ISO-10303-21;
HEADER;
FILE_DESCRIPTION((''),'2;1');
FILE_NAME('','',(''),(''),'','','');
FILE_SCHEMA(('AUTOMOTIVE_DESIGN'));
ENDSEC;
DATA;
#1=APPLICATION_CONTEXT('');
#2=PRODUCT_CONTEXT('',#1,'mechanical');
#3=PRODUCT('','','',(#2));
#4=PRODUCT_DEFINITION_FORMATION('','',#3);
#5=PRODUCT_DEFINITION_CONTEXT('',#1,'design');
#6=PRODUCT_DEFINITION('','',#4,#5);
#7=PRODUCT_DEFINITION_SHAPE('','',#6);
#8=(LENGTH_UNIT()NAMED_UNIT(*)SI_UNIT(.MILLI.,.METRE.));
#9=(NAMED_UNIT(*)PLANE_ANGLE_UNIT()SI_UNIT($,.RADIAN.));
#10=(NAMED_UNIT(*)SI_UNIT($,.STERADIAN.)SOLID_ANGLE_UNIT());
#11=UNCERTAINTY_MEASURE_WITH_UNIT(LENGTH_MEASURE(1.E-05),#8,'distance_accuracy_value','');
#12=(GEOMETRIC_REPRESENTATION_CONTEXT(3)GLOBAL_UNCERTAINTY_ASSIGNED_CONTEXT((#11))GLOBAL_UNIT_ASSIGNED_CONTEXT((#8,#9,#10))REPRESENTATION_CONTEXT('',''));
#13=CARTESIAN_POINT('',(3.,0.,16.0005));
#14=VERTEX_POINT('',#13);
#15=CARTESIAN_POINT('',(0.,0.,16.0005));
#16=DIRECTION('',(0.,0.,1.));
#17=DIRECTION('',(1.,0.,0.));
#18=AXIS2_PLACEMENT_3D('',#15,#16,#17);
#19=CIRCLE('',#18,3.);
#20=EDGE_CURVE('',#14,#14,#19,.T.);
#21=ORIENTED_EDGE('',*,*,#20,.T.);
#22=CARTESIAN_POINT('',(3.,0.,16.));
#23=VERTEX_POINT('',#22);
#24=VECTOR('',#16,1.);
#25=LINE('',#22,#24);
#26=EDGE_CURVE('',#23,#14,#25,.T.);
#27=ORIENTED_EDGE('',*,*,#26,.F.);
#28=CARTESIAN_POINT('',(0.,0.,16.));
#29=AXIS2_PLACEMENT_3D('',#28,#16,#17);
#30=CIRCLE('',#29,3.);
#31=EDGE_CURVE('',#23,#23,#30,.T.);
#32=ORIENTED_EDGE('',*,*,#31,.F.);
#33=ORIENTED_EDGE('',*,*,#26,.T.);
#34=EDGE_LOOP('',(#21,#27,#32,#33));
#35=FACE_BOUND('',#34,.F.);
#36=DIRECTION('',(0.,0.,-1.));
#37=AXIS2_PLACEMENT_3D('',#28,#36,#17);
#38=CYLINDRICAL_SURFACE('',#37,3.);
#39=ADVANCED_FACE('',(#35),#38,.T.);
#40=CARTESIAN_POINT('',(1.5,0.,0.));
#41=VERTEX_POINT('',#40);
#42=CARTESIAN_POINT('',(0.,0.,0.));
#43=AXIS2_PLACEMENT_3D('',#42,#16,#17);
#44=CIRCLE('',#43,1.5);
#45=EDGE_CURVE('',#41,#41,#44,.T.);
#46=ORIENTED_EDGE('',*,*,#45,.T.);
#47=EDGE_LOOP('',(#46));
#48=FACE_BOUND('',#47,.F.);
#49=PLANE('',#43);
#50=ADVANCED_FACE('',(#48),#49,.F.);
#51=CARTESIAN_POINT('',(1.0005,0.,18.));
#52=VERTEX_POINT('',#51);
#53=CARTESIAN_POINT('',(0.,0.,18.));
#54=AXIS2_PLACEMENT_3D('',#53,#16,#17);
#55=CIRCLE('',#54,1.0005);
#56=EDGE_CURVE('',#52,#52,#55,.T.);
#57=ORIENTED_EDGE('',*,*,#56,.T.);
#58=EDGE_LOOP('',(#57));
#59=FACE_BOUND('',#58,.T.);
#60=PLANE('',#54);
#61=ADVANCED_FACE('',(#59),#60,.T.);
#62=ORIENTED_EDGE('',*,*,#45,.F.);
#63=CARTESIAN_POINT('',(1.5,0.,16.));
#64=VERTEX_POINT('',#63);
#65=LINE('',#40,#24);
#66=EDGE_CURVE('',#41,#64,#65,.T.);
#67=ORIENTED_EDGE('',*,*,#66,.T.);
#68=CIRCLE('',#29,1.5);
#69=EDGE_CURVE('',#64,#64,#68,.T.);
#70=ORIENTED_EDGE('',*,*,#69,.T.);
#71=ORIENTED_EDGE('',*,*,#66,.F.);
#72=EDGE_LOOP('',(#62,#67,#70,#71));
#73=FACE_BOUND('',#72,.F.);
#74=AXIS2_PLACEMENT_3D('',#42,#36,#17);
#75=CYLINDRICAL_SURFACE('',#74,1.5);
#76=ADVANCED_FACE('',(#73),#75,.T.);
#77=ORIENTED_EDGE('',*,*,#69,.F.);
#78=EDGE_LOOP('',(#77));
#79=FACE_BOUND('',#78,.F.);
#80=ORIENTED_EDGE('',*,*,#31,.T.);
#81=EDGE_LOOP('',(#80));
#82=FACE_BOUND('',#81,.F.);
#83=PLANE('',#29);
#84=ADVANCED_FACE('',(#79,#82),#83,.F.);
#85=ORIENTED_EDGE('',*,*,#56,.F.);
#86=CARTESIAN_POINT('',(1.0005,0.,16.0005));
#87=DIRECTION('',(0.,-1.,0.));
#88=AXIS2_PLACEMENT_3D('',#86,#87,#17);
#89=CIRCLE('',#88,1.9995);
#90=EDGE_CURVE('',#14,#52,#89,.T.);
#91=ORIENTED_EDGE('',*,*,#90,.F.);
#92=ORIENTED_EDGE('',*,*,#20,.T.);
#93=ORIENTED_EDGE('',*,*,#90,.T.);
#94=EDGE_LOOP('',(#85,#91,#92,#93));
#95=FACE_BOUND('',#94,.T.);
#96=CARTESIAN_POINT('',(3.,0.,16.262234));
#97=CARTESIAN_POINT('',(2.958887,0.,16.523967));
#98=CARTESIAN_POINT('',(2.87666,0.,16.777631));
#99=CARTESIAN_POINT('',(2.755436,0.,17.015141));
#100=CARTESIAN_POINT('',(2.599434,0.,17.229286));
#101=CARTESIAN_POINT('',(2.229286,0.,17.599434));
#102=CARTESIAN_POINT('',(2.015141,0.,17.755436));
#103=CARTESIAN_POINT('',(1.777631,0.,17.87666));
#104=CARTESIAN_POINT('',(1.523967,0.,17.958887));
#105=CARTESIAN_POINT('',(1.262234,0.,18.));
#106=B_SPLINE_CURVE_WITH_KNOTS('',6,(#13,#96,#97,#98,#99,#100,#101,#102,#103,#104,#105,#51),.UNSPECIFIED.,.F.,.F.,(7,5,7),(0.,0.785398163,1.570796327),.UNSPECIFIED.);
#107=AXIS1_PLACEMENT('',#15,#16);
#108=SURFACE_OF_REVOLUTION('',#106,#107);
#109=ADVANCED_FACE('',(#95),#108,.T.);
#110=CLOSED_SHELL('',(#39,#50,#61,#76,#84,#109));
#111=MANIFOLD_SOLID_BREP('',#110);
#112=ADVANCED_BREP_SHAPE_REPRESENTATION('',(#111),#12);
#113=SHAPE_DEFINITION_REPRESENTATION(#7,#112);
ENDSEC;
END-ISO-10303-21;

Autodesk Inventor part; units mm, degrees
ref_plane "YZ Plane" through (0, 0, 0) normal (1, 0, 0) x (0, 1, 0)
ref_plane "XZ Plane" through (0, 0, 0) normal (0, 1, 0) x (-1, 0, 0)
ref_plane "XY Plane" through (0, 0, 0) normal (0, 0, 1) x (1, 0, 0)
sketch "スケッチ1" plane through (0, 0, 0) normal (0, 0, 1) x (1, 0, 0)
  circle A0 centre (0, 0) radius 1.5
  dimension "d0" = 3
extrude "押し出し1" add sketch "スケッチ1" along normal blind 16
sketch "スケッチ2" plane through (0, 0, 16) normal (0, 0, 1) x (1, 0, 0)
  circle A0 centre (0, 0) radius 1.5 projected
  circle A1 centre (0, 0) radius 3
  dimension "d3" = 6
extrude "押し出し2" add sketch "スケッチ2" along normal blind 2 contours A0 | A1
fillet "フィレット1" radius 2 1 edges at (-3, 0, 18)
properties part number "M3ボタンボルト16" material "鋼、高強度、低合金"
